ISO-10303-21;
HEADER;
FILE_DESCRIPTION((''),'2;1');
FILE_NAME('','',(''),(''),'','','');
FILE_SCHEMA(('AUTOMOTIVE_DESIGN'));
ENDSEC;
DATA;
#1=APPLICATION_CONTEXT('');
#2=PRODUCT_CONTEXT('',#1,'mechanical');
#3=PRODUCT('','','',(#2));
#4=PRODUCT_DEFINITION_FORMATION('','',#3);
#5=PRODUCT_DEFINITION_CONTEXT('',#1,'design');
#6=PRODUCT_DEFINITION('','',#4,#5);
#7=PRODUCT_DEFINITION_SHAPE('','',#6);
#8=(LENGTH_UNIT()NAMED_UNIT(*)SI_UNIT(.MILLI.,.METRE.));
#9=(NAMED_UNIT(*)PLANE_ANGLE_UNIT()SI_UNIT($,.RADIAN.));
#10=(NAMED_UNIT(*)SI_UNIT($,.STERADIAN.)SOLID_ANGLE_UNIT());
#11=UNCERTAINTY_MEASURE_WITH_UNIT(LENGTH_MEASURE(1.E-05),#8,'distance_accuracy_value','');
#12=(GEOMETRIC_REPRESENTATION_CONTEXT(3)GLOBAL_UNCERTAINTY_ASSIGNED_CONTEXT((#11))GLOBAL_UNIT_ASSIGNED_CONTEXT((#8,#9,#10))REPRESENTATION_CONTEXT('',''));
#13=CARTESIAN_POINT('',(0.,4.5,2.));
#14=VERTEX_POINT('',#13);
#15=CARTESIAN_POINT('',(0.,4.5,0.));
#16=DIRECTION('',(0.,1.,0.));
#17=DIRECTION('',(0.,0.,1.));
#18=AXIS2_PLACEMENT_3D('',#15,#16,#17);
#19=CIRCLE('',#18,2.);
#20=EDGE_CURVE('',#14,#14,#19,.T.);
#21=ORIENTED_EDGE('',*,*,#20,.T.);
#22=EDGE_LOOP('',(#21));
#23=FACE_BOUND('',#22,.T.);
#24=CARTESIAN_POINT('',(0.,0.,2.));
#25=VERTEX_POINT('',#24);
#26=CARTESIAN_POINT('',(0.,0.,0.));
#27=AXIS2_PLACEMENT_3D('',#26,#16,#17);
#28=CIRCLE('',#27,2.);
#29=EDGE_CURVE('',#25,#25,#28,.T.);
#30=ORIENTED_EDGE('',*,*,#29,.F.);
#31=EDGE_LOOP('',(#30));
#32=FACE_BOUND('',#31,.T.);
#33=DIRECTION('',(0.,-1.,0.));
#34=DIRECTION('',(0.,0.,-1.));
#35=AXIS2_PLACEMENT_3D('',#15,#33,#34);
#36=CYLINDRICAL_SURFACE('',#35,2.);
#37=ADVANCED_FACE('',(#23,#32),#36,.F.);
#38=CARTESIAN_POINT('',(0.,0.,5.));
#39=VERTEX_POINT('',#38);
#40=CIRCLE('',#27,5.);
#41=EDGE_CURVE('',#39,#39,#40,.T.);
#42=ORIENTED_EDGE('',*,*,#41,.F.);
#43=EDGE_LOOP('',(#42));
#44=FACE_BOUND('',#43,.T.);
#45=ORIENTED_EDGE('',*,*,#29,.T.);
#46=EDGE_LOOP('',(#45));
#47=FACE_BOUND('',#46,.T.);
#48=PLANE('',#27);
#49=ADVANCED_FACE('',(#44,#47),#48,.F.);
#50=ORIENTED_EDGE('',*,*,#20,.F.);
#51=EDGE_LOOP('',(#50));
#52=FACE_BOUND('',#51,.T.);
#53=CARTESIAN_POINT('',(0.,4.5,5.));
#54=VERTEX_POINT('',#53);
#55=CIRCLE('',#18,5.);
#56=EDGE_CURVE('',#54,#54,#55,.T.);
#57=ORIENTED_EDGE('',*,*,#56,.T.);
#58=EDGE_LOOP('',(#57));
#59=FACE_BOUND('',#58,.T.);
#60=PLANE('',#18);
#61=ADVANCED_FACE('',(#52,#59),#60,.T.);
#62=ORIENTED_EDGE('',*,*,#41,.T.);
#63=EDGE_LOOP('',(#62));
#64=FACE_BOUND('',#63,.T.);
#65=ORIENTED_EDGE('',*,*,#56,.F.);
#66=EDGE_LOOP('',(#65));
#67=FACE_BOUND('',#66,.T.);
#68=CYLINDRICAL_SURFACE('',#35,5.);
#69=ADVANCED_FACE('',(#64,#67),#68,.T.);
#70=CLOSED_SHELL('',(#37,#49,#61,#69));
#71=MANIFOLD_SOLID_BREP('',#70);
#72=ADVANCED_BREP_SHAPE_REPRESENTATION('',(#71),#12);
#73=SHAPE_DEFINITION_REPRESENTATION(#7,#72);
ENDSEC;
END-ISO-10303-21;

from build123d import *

# Parameters (mm, degrees)
SKETCH_1_R      = 5
SKETCH_1_R_2    = 2
EXTRUDE_1_DEPTH = 4.5


with BuildPart() as part:
    # 草图1 → 凸台-拉伸1 (new body)
    with BuildSketch(Plane(origin=(0, 0, 0), x_dir=(1, 0, 0), z_dir=(0, 1, 0))):
        Circle(SKETCH_1_R)
        Circle(SKETCH_1_R_2, mode=Mode.SUBTRACT)
    extrude(amount=EXTRUDE_1_DEPTH)


solid = part.part
